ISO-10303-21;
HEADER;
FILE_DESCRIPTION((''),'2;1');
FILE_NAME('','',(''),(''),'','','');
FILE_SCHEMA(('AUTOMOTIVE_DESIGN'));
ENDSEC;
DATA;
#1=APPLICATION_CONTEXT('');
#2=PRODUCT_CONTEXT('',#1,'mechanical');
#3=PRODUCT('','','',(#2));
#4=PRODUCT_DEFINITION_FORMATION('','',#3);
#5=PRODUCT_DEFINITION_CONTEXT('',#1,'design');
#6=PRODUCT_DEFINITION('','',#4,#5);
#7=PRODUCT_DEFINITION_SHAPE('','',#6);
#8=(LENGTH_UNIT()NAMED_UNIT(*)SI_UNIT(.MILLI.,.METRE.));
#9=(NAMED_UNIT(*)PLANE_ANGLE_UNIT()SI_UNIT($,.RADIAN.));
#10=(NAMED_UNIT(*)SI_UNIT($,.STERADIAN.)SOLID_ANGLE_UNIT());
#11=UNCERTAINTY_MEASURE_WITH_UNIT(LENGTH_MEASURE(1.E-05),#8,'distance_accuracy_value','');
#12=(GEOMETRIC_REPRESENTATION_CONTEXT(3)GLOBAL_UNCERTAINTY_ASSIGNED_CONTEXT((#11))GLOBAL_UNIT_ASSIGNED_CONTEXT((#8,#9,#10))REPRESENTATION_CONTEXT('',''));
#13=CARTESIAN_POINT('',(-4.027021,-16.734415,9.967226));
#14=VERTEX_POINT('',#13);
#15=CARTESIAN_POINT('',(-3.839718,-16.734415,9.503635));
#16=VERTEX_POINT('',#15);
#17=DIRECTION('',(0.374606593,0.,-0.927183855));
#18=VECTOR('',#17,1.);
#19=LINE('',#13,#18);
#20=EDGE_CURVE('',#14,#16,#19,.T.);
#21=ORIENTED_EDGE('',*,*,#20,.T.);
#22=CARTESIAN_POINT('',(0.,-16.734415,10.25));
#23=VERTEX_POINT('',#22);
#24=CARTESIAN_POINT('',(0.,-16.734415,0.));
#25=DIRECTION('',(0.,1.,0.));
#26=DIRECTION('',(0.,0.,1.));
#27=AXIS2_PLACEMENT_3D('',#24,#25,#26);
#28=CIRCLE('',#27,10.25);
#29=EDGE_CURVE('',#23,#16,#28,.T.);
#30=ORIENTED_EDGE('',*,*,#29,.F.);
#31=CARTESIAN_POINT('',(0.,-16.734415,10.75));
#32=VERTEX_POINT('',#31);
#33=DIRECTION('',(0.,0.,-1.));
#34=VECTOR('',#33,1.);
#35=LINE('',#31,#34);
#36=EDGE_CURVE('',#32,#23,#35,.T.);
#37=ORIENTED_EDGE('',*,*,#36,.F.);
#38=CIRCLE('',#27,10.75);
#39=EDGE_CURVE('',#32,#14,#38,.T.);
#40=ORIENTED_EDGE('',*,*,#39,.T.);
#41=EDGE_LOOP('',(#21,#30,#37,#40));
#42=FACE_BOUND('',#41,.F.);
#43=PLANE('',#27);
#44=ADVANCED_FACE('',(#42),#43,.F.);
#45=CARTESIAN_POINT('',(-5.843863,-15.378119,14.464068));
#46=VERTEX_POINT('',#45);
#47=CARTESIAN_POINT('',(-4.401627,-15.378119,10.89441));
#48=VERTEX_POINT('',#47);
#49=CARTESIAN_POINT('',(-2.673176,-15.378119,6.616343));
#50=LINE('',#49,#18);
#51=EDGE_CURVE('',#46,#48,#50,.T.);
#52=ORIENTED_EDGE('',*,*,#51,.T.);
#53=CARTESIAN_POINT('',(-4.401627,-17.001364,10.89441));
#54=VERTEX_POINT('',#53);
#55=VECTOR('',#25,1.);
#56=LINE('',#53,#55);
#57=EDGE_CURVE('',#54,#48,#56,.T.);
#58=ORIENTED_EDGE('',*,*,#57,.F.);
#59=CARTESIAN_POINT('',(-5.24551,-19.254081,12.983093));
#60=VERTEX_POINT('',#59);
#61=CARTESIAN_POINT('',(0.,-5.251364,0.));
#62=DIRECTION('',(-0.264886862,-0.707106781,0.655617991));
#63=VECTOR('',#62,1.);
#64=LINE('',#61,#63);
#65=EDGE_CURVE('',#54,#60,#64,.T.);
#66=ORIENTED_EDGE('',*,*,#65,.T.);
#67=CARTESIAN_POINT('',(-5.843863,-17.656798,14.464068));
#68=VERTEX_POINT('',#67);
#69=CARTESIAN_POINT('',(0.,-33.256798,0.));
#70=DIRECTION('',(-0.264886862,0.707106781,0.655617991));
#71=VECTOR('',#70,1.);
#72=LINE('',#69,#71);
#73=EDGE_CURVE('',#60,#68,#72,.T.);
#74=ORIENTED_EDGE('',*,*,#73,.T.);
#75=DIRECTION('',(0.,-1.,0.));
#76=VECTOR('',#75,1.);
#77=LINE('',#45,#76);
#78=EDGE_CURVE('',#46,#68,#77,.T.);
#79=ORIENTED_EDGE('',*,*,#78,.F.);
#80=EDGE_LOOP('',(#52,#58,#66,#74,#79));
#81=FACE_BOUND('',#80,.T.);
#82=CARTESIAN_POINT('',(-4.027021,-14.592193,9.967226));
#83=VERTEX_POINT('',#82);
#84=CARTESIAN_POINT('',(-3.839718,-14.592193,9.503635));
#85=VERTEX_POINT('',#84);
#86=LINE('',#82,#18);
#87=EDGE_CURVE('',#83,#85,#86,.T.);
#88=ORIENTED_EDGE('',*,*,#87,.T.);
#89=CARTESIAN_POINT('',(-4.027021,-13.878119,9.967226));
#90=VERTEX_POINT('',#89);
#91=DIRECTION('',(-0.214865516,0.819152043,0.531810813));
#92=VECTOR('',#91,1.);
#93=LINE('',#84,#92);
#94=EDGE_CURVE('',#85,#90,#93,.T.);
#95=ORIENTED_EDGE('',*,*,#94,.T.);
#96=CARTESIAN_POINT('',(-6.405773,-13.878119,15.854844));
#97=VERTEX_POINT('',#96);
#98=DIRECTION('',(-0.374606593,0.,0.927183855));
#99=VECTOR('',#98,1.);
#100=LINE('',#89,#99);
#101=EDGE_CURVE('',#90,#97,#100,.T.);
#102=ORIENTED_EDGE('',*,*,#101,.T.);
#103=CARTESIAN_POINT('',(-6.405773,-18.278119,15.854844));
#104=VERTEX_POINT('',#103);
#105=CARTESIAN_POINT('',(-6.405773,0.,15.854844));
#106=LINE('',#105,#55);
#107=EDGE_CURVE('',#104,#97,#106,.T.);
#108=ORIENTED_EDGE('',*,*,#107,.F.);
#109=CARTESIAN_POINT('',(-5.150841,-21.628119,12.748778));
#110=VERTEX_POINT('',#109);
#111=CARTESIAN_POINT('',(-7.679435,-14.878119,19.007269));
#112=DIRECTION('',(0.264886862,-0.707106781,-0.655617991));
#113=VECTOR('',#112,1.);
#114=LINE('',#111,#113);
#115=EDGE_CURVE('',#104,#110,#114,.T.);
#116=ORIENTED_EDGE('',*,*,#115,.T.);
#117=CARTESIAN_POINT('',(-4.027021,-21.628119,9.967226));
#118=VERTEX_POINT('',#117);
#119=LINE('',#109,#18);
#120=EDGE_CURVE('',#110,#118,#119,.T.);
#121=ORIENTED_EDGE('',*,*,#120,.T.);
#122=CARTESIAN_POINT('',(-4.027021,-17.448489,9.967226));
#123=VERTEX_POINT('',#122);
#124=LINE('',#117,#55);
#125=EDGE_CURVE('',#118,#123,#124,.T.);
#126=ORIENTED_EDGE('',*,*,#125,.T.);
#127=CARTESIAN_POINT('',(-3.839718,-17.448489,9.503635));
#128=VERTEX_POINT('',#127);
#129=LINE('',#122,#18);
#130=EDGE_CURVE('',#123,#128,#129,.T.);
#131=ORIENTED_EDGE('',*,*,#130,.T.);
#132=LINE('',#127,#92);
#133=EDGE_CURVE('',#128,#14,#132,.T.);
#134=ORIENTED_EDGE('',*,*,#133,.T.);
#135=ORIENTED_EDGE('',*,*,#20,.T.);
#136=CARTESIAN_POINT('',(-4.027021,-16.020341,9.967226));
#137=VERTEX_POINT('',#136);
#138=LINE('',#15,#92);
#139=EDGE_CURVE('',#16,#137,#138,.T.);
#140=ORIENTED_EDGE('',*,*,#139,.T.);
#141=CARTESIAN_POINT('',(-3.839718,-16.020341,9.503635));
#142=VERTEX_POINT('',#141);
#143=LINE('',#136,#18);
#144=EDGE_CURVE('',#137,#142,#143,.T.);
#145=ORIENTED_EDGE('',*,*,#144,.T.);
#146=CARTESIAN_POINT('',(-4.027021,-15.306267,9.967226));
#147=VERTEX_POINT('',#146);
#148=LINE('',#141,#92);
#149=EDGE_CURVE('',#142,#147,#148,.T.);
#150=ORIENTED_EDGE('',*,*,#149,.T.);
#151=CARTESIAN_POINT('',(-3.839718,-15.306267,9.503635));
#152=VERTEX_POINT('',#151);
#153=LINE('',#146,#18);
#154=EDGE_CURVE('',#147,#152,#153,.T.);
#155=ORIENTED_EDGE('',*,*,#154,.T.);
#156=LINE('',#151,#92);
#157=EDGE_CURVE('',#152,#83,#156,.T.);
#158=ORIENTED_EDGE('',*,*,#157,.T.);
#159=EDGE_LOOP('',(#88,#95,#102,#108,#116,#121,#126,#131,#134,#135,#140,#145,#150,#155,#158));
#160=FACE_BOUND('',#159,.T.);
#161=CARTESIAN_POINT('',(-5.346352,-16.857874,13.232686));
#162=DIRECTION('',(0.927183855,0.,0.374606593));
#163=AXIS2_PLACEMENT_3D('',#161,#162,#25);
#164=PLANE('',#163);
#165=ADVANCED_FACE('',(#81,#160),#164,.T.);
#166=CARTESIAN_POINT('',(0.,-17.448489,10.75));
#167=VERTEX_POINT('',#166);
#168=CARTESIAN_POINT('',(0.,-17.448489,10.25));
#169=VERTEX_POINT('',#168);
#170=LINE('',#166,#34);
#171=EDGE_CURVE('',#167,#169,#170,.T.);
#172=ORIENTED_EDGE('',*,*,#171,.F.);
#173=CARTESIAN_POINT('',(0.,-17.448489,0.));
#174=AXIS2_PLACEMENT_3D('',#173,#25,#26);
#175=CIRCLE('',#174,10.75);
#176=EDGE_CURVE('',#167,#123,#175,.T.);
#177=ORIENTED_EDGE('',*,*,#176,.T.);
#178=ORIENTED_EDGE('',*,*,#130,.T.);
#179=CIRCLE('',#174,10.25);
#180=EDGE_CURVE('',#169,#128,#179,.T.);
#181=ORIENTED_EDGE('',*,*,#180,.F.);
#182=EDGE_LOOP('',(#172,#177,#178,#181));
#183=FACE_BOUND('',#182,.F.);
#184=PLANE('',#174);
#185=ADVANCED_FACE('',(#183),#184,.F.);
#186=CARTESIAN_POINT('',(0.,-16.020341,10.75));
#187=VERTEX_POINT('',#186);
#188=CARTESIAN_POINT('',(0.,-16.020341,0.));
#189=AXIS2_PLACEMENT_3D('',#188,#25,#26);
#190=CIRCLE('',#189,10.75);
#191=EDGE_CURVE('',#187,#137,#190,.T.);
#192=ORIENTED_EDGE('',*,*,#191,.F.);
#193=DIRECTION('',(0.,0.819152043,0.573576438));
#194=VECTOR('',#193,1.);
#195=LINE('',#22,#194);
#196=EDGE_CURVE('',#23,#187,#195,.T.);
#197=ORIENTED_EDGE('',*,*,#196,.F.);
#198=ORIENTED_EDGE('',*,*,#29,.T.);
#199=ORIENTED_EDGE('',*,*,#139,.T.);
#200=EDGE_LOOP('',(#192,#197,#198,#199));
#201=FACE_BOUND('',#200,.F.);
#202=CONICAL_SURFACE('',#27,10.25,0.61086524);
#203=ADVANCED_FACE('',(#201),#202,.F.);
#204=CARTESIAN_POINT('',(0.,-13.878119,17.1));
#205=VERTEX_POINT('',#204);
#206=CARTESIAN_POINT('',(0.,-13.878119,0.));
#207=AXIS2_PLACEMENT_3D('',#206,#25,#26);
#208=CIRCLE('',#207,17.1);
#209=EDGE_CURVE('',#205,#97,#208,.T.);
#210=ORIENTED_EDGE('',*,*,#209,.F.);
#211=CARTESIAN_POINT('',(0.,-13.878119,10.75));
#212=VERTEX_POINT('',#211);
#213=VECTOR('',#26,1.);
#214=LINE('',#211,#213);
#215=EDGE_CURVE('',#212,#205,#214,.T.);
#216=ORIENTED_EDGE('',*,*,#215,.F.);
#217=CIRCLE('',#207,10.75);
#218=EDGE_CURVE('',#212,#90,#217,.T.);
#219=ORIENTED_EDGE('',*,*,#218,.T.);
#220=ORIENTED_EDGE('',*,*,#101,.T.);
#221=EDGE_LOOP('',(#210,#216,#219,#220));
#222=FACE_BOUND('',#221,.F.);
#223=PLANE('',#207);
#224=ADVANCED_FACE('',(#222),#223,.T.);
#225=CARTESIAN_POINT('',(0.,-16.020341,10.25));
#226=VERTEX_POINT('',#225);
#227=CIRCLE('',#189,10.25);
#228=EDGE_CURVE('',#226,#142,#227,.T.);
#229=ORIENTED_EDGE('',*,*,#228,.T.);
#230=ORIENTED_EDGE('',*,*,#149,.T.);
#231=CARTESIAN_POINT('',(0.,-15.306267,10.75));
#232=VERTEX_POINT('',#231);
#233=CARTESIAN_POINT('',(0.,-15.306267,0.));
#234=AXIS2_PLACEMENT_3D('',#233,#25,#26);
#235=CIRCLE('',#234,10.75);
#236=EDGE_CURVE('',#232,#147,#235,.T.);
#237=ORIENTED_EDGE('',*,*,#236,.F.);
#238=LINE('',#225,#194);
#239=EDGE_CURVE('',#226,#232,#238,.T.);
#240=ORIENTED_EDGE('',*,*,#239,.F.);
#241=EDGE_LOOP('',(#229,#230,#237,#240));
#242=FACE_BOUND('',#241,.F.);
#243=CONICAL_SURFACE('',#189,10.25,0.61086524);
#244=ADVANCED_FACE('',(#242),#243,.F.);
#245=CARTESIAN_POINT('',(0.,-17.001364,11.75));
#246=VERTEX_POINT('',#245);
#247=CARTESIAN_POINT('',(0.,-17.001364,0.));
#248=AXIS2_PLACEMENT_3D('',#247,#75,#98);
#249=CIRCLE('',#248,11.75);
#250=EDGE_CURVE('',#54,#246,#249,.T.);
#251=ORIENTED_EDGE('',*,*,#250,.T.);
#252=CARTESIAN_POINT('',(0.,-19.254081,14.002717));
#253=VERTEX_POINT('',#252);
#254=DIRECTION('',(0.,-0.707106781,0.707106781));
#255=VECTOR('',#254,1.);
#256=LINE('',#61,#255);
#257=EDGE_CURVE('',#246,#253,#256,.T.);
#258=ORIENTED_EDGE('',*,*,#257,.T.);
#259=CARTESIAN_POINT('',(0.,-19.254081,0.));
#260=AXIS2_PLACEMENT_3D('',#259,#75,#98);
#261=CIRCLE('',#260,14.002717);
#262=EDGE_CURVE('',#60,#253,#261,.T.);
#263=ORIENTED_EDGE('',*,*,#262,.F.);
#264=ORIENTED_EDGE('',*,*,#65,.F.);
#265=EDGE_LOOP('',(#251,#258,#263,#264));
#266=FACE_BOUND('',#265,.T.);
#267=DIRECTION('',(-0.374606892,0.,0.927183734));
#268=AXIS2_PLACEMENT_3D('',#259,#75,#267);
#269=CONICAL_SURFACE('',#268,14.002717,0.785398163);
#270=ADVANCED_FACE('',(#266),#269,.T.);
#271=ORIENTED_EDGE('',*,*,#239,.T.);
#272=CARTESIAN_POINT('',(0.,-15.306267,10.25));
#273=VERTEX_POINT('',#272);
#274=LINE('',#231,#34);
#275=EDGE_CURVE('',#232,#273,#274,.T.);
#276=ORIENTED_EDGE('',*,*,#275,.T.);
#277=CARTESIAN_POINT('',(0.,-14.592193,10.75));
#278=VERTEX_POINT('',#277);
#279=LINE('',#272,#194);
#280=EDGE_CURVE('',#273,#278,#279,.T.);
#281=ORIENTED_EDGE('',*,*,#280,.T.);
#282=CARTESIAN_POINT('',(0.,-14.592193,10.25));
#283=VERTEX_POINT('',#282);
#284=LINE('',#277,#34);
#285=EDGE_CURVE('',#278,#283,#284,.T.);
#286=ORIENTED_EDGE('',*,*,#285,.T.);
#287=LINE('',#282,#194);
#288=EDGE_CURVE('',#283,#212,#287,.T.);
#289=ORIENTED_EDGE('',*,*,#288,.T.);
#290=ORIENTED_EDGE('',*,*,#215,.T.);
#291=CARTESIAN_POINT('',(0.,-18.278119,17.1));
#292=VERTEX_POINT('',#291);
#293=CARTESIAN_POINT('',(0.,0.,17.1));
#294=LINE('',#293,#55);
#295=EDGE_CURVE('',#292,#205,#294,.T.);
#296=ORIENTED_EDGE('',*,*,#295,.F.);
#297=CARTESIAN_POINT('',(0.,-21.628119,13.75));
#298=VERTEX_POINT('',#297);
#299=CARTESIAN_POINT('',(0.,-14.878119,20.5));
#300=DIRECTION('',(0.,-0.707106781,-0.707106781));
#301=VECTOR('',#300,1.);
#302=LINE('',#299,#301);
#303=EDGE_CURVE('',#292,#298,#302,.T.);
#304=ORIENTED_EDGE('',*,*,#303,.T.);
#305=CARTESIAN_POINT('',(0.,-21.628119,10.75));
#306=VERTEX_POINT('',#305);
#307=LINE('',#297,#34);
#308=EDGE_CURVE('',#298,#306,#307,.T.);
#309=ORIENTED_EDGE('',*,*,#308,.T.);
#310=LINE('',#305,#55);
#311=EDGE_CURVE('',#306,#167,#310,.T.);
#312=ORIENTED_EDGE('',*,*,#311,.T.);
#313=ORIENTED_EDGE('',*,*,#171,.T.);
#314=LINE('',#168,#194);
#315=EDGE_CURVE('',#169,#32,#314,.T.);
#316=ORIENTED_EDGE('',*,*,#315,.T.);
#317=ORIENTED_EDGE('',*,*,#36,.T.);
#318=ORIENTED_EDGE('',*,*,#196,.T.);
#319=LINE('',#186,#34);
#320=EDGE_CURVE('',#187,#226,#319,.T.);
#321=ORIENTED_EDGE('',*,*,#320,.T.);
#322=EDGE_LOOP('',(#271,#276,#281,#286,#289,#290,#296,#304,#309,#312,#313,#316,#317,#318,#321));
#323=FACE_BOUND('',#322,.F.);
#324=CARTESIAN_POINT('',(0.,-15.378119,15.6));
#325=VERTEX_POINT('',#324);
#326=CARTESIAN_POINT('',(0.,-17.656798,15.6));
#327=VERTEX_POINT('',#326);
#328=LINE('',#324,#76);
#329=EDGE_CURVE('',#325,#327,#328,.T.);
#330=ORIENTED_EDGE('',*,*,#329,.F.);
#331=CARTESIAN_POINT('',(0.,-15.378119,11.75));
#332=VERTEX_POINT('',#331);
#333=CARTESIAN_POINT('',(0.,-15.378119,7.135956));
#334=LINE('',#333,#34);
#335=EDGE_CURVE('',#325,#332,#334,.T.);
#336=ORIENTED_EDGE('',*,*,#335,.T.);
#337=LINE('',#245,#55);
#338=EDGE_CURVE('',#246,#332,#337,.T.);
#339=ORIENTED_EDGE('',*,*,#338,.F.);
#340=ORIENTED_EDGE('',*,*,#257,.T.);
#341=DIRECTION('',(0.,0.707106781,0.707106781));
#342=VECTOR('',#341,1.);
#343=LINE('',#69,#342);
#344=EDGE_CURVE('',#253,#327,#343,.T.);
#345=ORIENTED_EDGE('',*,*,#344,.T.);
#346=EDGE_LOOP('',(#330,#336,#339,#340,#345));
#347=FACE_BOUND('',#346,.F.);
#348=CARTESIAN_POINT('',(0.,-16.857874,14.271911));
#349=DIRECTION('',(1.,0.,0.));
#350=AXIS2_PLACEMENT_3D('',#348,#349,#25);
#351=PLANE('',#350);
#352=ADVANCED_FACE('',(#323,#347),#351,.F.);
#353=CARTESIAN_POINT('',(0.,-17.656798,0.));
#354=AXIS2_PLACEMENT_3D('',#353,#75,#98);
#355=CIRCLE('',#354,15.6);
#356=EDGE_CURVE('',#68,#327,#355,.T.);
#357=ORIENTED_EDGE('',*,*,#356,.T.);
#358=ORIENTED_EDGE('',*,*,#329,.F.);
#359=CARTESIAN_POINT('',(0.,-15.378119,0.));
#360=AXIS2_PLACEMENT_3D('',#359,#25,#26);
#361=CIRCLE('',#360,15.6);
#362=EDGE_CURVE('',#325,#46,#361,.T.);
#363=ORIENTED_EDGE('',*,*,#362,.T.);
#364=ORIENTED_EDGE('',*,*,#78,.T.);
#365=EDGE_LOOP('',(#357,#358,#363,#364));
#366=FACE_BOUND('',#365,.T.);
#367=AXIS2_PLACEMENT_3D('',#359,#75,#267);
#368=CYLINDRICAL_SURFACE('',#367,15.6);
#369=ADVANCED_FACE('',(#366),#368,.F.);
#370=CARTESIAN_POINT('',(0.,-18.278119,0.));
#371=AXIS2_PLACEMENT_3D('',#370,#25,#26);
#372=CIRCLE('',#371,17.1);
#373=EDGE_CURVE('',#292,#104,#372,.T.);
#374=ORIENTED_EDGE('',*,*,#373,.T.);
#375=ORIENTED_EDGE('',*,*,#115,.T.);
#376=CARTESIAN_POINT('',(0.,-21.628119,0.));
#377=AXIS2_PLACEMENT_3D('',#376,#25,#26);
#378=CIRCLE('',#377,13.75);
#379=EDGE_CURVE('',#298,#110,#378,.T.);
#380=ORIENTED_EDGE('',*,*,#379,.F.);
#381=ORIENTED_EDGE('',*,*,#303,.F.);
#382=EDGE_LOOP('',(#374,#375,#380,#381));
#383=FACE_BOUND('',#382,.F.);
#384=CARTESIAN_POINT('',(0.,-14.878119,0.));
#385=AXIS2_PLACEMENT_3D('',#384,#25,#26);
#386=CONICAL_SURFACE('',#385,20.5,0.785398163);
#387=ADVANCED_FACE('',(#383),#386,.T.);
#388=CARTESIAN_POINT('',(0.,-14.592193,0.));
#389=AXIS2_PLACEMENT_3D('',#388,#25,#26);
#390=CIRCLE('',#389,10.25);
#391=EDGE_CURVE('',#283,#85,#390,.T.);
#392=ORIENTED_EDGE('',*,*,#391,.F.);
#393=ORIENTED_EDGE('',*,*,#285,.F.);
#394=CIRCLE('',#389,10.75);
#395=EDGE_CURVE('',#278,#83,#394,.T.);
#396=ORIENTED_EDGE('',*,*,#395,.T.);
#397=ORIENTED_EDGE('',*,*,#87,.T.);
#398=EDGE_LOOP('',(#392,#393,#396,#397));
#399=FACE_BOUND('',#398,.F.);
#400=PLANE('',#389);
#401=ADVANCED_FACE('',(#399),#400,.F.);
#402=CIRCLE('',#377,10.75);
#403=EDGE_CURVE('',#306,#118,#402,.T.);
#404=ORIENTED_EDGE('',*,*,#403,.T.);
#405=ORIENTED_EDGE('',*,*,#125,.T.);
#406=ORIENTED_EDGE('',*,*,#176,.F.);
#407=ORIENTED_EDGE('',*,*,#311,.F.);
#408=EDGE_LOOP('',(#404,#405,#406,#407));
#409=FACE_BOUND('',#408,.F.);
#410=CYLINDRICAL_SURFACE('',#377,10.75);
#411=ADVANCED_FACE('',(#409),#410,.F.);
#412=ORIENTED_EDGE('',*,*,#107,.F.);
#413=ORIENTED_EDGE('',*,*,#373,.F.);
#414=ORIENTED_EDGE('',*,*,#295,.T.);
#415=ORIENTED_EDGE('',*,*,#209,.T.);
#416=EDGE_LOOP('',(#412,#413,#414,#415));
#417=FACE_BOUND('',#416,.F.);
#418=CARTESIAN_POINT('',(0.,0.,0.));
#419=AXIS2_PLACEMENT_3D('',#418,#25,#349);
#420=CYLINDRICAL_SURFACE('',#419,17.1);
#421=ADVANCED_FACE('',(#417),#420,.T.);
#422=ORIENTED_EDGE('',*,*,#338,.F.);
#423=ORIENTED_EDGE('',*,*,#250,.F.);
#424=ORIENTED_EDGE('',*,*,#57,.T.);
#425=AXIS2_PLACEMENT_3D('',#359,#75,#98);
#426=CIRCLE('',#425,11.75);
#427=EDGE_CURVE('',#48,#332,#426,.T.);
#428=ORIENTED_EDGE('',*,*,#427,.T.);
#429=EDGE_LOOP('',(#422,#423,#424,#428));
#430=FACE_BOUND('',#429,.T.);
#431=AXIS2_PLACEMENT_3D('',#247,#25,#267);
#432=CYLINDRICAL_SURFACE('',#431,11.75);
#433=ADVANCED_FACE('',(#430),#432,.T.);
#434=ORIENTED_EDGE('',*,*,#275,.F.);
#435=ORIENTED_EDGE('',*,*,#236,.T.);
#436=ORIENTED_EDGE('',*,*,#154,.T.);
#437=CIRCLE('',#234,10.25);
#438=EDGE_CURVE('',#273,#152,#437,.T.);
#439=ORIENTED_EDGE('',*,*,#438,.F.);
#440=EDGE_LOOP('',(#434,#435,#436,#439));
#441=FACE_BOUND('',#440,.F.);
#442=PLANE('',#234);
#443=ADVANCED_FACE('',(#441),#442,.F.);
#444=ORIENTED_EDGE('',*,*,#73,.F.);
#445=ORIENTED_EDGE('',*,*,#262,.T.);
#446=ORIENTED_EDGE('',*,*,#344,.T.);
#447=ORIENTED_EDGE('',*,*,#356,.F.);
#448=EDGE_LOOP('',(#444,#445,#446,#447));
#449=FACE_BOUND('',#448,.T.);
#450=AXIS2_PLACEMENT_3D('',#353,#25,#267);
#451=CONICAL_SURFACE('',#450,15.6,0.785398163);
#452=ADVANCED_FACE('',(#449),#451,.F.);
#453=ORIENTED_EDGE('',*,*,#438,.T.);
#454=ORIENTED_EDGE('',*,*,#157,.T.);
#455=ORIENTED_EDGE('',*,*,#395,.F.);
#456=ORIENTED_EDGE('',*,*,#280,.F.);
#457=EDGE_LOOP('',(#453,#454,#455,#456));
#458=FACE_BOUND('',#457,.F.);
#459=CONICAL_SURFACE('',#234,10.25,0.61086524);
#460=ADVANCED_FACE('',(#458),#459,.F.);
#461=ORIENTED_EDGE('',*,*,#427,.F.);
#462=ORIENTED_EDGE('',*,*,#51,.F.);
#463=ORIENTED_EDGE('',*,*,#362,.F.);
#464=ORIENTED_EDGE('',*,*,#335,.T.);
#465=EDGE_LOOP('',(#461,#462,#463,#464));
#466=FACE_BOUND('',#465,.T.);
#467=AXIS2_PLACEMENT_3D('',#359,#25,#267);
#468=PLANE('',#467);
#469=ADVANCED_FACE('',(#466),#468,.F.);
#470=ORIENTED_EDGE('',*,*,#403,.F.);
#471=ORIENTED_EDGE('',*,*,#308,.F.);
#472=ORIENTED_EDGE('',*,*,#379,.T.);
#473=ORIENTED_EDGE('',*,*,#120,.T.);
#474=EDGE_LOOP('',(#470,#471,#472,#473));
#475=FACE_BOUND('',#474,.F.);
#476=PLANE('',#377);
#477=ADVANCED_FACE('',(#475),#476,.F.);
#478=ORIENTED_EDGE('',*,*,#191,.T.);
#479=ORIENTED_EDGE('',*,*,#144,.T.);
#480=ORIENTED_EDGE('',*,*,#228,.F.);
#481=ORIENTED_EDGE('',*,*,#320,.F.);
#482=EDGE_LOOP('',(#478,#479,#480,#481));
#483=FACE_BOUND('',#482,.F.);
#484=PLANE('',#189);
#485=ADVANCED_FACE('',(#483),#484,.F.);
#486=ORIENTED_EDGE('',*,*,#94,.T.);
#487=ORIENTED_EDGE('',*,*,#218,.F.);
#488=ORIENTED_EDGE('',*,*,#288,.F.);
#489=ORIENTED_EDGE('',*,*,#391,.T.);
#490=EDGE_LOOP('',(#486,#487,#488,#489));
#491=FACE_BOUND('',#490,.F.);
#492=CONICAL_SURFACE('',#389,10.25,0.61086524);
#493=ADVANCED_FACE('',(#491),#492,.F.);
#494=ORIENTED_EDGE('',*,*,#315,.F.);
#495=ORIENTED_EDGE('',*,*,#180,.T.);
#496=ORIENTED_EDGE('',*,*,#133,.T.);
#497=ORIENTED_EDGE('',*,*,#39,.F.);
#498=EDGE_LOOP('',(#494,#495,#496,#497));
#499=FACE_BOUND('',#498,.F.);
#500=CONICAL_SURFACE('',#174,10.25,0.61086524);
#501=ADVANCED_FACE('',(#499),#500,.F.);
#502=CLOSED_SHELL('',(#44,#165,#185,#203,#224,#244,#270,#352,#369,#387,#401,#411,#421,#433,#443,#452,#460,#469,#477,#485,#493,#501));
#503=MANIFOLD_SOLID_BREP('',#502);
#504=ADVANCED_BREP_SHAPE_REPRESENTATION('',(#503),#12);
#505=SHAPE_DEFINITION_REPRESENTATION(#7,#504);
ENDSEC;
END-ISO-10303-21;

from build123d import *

# Parameters (mm, degrees)
F2_ANGLE = 338
F3_R     = 29.1
F3_R_2   = 17.1
F4_DEPTH = 25


with BuildPart() as f2:
    # F1 (on Right) → F2 (revolve)
    with BuildSketch(Plane.YZ):
        Polygon((-14.592193, 10.25), (-13.878119, 10.75), (-13.878119, 20.5), (-14.878119, 20.5), (-21.628119, 13.75), (-21.628119, 10.75), (-17.448489, 10.75), (-17.448489, 10.25), (-16.734415, 10.75), (-16.734415, 10.25), (-16.020341, 10.75), (-16.020341, 10.25), (-15.306267, 10.75), (-15.306267, 10.25), (-14.592193, 10.75), align=None)
    revolve(axis=Axis((0, -8.217514, 0), (0, 1, 0)), revolution_arc=F2_ANGLE)

    # F3 (on Front) → F4 (cut)
    with BuildSketch(Plane.XZ):
        Circle(F3_R)
        Circle(F3_R_2, mode=Mode.SUBTRACT)
    extrude(amount=F4_DEPTH, mode=Mode.SUBTRACT)

    # F5 (on face) → F6 (revolve, cut)
    with BuildSketch(Plane(origin=(0, 0, 0), x_dir=(0, 1, 0), z_dir=(0.927184, 0, 0.374607))):
        Polygon((-15.378119, 11.75), (-15.378119, 15.6), (-17.656798, 15.6), (-19.254081, 14.002717), (-17.001364, 11.75), align=None)
    revolve(axis=Axis((0, -8.217514, 0), (0, 1, 0)), mode=Mode.SUBTRACT)


solid = f2.part
